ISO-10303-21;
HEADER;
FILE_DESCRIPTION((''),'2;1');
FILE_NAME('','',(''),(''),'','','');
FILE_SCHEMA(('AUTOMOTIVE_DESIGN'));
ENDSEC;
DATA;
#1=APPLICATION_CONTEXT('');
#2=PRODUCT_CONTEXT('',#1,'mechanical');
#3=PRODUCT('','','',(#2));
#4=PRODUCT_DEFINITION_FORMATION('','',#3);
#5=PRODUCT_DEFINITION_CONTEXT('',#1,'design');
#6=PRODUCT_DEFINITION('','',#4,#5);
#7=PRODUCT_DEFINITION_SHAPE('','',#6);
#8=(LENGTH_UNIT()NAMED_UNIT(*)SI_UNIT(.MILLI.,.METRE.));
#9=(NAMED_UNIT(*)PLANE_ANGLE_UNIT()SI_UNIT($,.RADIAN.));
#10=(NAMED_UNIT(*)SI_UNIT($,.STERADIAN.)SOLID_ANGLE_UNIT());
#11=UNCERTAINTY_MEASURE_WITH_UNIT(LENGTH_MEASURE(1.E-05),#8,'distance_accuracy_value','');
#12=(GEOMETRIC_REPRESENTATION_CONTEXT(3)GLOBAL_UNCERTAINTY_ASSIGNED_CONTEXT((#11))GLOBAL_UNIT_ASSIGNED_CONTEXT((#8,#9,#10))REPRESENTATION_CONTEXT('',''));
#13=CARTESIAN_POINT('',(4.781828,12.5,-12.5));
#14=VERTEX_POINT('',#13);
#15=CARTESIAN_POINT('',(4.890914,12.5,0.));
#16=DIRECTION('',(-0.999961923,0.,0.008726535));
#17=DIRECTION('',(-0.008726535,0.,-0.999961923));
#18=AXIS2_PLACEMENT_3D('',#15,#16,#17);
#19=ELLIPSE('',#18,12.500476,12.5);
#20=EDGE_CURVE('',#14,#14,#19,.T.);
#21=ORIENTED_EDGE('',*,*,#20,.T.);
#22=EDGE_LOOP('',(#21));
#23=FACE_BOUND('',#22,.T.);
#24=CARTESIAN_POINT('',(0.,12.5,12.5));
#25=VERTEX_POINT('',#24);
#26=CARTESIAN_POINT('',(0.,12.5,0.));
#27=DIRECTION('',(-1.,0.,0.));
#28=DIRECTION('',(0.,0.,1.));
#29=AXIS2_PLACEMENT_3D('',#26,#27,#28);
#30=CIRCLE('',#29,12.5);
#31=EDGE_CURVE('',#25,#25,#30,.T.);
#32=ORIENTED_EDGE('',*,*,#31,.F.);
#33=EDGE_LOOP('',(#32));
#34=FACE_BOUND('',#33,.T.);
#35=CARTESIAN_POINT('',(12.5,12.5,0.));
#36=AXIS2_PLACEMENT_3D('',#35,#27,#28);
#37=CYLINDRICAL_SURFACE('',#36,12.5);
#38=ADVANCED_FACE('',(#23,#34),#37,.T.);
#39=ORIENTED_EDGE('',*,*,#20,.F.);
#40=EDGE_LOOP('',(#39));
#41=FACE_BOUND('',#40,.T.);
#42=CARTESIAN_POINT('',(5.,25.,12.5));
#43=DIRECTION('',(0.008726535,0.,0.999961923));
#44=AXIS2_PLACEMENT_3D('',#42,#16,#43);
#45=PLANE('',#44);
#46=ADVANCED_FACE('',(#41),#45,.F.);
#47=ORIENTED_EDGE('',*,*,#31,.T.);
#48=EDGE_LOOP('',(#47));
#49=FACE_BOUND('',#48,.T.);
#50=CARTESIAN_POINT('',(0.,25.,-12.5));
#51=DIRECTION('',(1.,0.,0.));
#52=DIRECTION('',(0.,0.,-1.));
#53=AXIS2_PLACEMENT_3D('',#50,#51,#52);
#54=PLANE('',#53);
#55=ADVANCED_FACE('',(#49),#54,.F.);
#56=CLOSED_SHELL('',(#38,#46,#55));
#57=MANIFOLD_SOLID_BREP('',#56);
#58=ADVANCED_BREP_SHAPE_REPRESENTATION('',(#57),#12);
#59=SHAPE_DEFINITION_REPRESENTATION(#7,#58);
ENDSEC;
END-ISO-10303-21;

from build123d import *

# Parameters (mm, degrees)
EXTRUDE_1_DEPTH     = 25
CUT_EXTRUDE_2_DEPTH = 12.5


with BuildPart() as part:
    # 草图1 → 凸台-拉伸1 (new body)
    with BuildSketch(Plane(origin=(0, 0, 0), x_dir=(1, 0, 0), z_dir=(0, 1, 0))):
        Polygon((0, 12.5), (0, -12.5), (5, -12.5), (4.781828305, 12.5), align=None)
    extrude(amount=EXTRUDE_1_DEPTH)

    # 草图5 → 切除-拉伸2 (cut)
    with BuildSketch(Plane.ZY):
        with BuildLine():
            Line((-12.5, 25), (-12.5, 12.5))
            ThreePointArc((-12.5, 12.5), (-8.838834765, 21.338834765), (0, 25))
            Line((0, 25), (-12.5, 25))
        make_face()
        with BuildLine():
            Line((-12.5, 12.5), (-12.5, 0))
            Line((-12.5, 0), (-5.1e-08, 0))
            ThreePointArc((-5.1e-08, 0), (-8.838834783, 3.661165253), (-12.5, 12.5))
        make_face()
        with BuildLine():
            ThreePointArc((12.5, 12.5), (8.838834747, 3.661165217), (-5.1e-08, 0))
            Line((-5.1e-08, 0), (12.5, 0))
            Line((12.5, 0), (12.5, 12.5))
        make_face()
        with BuildLine():
            ThreePointArc((0, 25), (8.838834765, 21.338834765), (12.5, 12.5))
            Line((12.5, 12.5), (12.5, 25))
            Line((12.5, 25), (0, 25))
        make_face()
    extrude(amount=-CUT_EXTRUDE_2_DEPTH, mode=Mode.SUBTRACT)


solid = part.part
